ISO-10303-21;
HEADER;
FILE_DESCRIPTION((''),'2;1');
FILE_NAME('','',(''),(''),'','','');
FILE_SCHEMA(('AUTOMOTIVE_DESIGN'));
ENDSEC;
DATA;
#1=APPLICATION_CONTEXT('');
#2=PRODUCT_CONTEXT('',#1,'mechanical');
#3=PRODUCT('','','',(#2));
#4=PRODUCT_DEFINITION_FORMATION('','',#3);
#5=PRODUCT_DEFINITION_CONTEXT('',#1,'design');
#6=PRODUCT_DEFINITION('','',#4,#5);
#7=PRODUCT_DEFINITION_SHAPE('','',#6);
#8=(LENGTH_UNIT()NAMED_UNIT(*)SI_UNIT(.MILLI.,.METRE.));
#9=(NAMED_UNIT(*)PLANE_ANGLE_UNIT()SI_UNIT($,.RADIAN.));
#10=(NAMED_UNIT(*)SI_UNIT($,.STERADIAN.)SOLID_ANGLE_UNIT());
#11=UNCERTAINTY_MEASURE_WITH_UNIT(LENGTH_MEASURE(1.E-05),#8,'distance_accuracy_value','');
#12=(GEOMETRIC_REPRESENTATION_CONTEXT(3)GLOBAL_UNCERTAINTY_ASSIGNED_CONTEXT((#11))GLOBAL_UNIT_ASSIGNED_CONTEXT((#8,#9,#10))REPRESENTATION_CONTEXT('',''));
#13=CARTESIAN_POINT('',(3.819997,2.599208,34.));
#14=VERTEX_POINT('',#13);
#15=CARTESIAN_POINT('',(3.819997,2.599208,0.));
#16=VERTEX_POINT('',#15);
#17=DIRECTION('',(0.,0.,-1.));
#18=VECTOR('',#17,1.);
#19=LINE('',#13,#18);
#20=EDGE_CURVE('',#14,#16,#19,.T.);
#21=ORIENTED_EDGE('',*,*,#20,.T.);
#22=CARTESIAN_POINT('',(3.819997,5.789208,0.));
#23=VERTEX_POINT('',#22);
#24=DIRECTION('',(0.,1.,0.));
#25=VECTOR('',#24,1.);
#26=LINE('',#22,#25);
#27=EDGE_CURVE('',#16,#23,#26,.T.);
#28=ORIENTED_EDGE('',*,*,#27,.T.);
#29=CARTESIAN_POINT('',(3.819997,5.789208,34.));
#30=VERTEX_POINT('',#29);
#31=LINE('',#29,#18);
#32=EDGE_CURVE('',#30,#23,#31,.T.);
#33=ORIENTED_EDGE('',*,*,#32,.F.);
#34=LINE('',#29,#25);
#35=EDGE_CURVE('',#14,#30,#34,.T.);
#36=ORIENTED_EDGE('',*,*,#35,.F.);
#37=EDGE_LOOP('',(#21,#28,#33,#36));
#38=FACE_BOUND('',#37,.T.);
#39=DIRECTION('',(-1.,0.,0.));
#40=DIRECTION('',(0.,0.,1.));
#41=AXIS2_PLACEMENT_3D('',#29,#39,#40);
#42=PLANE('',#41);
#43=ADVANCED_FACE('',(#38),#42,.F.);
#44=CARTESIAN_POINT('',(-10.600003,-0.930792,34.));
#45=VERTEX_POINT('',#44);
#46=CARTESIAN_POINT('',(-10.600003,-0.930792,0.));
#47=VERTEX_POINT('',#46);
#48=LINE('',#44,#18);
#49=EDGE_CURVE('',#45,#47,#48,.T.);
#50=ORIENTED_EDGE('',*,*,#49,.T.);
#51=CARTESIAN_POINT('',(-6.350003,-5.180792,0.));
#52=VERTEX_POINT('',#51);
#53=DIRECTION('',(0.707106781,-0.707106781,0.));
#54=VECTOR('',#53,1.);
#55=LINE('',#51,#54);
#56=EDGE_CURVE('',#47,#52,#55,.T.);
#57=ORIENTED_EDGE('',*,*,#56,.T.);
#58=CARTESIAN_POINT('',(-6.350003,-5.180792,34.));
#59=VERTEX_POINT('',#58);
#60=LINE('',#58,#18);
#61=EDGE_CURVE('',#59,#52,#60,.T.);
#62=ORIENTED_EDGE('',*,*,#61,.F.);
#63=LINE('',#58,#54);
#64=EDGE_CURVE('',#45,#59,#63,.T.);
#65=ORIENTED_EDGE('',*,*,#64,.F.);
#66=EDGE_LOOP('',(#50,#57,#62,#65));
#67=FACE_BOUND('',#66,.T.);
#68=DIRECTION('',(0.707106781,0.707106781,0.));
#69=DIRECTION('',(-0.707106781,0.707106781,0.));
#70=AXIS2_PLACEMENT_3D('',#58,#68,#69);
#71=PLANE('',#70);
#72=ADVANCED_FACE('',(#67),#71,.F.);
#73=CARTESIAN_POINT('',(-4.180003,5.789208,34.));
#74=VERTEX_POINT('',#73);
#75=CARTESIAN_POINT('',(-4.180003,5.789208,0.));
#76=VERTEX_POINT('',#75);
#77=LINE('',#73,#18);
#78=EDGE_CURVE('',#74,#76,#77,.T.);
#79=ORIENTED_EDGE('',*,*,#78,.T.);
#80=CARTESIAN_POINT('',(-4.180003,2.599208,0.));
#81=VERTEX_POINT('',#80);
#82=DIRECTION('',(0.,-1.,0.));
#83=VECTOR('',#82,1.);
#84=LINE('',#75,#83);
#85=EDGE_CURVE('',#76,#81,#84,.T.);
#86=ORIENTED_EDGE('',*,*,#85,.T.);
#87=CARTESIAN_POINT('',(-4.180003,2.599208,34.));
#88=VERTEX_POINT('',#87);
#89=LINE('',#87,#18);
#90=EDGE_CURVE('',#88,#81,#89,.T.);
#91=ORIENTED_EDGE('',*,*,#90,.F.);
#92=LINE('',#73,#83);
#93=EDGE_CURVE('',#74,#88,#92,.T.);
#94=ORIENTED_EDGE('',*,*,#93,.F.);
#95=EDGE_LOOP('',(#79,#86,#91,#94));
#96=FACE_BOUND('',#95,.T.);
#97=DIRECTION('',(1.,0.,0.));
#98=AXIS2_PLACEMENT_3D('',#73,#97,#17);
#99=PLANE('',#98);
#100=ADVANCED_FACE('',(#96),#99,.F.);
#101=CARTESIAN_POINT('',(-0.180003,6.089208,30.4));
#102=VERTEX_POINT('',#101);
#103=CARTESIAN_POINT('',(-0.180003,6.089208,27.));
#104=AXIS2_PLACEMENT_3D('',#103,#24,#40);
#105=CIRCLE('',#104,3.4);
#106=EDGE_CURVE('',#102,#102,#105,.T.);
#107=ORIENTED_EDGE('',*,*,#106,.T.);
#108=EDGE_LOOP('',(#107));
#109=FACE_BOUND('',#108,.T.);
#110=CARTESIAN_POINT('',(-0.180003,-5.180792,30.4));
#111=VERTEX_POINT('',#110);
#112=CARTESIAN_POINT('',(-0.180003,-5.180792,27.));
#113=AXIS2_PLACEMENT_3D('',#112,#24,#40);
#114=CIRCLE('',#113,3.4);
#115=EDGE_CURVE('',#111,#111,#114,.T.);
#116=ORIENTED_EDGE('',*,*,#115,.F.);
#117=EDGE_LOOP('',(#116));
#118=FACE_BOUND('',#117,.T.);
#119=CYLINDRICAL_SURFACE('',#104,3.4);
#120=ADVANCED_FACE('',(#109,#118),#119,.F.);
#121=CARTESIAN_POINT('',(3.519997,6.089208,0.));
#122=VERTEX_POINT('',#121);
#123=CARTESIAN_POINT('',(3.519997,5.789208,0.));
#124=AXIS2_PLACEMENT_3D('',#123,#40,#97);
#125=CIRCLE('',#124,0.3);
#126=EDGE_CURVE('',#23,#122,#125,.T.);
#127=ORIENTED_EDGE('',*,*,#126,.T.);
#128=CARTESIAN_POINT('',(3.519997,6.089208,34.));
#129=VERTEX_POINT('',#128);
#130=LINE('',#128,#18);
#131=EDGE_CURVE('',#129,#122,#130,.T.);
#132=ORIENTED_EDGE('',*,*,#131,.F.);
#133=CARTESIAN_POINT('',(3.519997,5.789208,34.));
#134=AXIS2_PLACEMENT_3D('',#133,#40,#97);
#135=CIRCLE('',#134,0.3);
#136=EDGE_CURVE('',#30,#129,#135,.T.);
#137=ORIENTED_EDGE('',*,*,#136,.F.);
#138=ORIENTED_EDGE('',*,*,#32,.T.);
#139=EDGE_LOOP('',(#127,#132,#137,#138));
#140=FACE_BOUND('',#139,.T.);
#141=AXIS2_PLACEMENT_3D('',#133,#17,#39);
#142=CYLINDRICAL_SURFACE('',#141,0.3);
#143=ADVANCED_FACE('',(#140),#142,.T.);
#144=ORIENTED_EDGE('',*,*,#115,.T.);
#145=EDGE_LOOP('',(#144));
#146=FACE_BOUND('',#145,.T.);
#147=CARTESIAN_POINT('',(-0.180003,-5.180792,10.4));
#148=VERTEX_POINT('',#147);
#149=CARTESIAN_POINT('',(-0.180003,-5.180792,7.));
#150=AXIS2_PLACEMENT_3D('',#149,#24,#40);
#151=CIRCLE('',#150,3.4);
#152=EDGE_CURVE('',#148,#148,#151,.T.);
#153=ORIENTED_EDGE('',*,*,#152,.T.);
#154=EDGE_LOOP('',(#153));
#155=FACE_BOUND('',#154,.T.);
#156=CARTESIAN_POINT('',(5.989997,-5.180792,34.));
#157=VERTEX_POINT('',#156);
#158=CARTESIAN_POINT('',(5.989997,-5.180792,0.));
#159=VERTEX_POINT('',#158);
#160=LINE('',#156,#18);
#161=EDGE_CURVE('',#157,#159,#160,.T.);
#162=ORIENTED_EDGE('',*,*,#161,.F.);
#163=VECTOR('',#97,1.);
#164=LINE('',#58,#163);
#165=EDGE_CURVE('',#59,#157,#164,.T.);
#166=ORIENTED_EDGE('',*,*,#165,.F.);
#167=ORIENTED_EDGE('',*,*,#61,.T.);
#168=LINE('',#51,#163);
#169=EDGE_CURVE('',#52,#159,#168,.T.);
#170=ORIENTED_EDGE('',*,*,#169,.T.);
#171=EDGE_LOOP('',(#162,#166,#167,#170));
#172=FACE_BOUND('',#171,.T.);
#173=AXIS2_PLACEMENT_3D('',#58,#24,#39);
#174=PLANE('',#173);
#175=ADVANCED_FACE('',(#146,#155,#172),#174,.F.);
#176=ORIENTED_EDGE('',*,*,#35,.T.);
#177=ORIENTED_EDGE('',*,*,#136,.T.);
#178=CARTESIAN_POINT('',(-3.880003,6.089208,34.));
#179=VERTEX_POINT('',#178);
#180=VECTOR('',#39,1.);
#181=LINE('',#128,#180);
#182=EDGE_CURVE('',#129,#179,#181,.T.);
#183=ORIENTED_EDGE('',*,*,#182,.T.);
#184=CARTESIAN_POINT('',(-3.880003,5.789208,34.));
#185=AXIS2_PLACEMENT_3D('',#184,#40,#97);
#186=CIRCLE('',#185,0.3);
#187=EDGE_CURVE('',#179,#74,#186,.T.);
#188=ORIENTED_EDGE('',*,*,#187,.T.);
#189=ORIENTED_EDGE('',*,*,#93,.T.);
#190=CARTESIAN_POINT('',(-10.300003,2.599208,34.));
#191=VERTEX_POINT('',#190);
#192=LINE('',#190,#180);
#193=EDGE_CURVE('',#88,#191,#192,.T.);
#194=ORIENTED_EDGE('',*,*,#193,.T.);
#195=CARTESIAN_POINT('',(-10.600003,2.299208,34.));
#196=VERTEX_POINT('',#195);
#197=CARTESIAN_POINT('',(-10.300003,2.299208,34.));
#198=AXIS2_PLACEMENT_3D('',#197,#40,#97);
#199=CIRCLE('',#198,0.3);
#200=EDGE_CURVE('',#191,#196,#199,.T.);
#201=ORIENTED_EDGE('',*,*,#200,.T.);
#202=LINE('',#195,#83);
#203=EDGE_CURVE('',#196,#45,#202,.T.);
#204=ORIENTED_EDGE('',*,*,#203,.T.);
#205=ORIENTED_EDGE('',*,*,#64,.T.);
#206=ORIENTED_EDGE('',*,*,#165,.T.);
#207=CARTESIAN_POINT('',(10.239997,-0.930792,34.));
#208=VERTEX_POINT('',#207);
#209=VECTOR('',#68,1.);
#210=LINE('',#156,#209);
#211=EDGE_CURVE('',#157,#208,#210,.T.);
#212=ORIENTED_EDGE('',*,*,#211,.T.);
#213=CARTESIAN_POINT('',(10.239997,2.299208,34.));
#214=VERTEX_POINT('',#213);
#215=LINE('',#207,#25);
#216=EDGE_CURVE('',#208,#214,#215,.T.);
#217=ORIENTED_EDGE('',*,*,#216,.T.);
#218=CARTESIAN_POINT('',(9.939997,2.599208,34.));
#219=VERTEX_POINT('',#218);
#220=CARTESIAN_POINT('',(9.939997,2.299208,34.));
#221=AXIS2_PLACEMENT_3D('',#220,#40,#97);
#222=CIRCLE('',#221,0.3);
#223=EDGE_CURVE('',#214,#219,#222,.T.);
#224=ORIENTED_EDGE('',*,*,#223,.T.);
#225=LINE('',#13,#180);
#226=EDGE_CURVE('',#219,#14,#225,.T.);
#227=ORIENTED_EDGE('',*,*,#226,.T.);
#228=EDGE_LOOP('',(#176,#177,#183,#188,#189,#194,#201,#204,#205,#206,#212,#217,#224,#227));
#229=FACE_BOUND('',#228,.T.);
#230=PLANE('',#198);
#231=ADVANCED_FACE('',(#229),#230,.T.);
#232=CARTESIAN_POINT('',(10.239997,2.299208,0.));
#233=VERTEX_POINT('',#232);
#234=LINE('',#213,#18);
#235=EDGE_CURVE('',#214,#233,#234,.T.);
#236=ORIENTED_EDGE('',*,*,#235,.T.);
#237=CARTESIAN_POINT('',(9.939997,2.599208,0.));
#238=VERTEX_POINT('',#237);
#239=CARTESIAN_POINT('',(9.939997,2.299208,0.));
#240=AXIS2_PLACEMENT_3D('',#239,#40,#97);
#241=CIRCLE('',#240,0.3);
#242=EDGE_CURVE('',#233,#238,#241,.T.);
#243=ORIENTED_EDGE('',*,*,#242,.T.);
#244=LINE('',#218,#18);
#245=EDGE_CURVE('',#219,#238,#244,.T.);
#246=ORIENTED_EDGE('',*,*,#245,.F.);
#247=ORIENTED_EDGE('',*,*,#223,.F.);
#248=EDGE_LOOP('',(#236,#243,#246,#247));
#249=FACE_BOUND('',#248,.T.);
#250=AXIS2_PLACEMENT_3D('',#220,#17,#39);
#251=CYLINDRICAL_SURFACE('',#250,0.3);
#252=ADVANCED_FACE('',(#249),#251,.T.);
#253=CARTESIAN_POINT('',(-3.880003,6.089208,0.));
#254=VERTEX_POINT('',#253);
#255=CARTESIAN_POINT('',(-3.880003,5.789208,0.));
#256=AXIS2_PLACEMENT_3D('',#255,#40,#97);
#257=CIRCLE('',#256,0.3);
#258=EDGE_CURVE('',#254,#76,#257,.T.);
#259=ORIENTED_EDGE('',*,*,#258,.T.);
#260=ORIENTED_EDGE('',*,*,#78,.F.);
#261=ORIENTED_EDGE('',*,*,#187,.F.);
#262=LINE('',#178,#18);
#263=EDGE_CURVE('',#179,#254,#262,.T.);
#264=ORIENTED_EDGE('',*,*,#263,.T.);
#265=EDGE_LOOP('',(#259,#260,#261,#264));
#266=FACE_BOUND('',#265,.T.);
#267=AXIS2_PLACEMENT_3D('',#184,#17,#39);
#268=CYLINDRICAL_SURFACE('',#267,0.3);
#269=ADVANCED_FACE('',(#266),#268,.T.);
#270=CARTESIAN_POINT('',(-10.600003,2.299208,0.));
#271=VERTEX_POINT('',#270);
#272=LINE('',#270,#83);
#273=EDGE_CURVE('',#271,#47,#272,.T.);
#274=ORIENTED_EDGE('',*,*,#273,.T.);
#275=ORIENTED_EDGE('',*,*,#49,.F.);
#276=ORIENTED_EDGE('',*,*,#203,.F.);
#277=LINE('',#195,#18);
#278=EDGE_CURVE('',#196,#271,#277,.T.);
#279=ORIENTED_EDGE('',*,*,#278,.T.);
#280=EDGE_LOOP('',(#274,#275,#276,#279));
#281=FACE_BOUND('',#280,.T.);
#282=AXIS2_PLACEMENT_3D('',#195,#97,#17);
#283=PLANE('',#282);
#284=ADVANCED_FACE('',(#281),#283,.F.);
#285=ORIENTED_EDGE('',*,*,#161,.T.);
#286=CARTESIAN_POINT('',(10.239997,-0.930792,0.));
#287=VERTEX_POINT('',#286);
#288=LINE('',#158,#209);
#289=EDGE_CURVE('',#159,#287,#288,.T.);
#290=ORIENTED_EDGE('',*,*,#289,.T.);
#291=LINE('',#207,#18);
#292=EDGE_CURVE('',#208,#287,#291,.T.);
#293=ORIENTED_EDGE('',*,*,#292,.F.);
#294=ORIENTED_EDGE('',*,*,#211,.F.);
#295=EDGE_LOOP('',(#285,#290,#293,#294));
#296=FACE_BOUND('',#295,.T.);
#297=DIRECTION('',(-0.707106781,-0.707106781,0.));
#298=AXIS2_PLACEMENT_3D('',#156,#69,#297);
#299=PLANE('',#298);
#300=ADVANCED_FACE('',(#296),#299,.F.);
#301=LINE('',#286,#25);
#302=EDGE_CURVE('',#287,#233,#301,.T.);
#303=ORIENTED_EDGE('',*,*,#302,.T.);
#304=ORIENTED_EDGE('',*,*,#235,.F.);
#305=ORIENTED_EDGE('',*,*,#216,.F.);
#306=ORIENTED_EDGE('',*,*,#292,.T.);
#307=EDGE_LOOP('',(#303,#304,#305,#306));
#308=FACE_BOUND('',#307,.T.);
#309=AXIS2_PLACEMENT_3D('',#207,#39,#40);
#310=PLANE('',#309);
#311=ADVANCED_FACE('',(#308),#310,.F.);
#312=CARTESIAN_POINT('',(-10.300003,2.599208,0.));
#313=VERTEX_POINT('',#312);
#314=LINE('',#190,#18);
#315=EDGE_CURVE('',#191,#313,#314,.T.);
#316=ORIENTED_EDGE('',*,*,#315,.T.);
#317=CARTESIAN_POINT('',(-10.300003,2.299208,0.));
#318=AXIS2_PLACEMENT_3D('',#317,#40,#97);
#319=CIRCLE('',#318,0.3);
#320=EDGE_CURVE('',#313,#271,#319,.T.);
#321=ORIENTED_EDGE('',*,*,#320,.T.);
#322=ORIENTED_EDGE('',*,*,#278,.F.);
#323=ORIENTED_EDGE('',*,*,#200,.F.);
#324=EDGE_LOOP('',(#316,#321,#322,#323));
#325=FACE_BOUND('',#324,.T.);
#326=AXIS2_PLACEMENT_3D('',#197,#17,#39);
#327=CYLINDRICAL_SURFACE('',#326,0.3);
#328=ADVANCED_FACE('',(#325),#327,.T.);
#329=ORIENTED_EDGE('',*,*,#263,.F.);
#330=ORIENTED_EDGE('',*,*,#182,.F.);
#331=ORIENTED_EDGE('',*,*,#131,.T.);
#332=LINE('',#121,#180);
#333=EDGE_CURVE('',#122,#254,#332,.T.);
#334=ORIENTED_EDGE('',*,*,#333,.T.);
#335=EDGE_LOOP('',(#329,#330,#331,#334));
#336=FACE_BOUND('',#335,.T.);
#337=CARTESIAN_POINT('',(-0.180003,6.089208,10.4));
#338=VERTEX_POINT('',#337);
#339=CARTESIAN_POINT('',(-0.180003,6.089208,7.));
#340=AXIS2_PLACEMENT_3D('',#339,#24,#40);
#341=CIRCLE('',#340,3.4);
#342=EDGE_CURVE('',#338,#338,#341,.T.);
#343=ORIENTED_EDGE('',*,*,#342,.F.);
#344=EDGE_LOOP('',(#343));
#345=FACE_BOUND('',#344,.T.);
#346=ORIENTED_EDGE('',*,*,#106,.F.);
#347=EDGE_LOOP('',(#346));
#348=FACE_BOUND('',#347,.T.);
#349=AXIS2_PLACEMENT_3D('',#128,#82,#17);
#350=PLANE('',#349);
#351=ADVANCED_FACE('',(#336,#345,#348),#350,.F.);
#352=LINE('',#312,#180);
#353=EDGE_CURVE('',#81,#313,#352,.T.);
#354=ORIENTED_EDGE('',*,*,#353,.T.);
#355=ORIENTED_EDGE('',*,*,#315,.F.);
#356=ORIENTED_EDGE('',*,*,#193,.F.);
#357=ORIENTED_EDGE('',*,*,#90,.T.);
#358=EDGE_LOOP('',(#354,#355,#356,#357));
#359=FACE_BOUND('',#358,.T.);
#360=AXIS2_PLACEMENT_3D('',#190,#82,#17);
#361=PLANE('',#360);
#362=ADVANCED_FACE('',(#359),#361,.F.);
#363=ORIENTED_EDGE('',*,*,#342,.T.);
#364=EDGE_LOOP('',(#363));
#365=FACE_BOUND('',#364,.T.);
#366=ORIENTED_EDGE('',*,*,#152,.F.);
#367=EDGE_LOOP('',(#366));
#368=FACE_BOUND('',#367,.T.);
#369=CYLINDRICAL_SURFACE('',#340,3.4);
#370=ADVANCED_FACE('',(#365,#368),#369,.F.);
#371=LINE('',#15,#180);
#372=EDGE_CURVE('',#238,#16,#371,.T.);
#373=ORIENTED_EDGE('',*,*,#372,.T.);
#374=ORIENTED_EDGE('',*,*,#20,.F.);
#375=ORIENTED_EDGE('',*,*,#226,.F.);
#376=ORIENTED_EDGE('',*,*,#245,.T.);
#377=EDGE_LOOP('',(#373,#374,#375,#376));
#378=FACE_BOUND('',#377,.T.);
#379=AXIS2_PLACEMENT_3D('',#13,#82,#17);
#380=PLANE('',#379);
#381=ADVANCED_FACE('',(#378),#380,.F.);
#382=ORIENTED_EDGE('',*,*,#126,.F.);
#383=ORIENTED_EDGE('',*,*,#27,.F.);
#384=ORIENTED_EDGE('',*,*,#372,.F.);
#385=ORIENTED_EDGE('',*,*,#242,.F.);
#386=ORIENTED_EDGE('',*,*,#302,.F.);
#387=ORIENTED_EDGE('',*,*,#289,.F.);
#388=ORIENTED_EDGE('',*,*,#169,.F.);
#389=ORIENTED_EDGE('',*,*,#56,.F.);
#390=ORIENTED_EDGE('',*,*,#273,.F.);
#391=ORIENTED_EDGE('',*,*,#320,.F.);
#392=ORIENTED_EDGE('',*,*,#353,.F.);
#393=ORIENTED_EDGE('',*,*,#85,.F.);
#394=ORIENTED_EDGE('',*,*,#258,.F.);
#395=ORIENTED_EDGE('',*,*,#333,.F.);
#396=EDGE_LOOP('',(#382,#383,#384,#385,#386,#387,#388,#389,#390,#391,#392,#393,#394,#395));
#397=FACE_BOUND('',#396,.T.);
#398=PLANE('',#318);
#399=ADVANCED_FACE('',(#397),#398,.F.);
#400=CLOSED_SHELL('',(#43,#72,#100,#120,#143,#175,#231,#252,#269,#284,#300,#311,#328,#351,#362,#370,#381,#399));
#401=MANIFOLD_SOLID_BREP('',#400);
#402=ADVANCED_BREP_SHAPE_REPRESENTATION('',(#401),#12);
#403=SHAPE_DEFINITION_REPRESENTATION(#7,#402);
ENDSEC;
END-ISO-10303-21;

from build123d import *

# Parameters (mm, degrees)
EXTRUDE_1_DEPTH    = 34
HOLE_WIZARD_M8_1_D = 6.8


with BuildPart() as part:
    # 草图1 → 凸台-拉伸1 (new body)
    with BuildSketch(Plane.XY):
        with BuildLine():
            Line((-6.350003001, -5.180792426), (5.989996999, -5.180792426))
            Line((5.989996999, -5.180792426), (10.239996999, -0.930792426))
            Line((10.239996999, -0.930792426), (10.239996999, 2.299207574))
            ThreePointArc((10.239996999, 2.299207574), (10.152129033, 2.511339608), (9.939996999, 2.599207574))
            Line((9.939996999, 2.599207574), (3.819996999, 2.599207574))
            Line((3.819996999, 2.599207574), (3.819996999, 5.789207574))
            ThreePointArc((3.819996999, 5.789207574), (3.732129033, 6.001339608), (3.519996999, 6.089207574))
            Line((3.519996999, 6.089207574), (-3.880003001, 6.089207574))
            ThreePointArc((-3.880003001, 6.089207574), (-4.092135036, 6.001339608), (-4.180003001, 5.789207574))
            Line((-4.180003001, 5.789207574), (-4.180003001, 2.599207574))
            Line((-4.180003001, 2.599207574), (-10.300003001, 2.599207574))
            ThreePointArc((-10.300003001, 2.599207574), (-10.512135036, 2.511339608), (-10.600003001, 2.299207574))
            Line((-10.600003001, 2.299207574), (-10.600003001, -0.930792426))
            Line((-10.600003001, -0.930792426), (-6.350003001, -5.180792426))
        make_face()
    extrude(amount=EXTRUDE_1_DEPTH)

    # M8 螺纹孔1 (through all)
    with Locations(Plane(origin=(0, 6.089207574, 0), x_dir=(-1, 0, 0), z_dir=(0, 1, 0))):
        with Locations((0.180003001, 7), (0.180003001, 27)):
            Hole(HOLE_WIZARD_M8_1_D / 2)


solid = part.part
